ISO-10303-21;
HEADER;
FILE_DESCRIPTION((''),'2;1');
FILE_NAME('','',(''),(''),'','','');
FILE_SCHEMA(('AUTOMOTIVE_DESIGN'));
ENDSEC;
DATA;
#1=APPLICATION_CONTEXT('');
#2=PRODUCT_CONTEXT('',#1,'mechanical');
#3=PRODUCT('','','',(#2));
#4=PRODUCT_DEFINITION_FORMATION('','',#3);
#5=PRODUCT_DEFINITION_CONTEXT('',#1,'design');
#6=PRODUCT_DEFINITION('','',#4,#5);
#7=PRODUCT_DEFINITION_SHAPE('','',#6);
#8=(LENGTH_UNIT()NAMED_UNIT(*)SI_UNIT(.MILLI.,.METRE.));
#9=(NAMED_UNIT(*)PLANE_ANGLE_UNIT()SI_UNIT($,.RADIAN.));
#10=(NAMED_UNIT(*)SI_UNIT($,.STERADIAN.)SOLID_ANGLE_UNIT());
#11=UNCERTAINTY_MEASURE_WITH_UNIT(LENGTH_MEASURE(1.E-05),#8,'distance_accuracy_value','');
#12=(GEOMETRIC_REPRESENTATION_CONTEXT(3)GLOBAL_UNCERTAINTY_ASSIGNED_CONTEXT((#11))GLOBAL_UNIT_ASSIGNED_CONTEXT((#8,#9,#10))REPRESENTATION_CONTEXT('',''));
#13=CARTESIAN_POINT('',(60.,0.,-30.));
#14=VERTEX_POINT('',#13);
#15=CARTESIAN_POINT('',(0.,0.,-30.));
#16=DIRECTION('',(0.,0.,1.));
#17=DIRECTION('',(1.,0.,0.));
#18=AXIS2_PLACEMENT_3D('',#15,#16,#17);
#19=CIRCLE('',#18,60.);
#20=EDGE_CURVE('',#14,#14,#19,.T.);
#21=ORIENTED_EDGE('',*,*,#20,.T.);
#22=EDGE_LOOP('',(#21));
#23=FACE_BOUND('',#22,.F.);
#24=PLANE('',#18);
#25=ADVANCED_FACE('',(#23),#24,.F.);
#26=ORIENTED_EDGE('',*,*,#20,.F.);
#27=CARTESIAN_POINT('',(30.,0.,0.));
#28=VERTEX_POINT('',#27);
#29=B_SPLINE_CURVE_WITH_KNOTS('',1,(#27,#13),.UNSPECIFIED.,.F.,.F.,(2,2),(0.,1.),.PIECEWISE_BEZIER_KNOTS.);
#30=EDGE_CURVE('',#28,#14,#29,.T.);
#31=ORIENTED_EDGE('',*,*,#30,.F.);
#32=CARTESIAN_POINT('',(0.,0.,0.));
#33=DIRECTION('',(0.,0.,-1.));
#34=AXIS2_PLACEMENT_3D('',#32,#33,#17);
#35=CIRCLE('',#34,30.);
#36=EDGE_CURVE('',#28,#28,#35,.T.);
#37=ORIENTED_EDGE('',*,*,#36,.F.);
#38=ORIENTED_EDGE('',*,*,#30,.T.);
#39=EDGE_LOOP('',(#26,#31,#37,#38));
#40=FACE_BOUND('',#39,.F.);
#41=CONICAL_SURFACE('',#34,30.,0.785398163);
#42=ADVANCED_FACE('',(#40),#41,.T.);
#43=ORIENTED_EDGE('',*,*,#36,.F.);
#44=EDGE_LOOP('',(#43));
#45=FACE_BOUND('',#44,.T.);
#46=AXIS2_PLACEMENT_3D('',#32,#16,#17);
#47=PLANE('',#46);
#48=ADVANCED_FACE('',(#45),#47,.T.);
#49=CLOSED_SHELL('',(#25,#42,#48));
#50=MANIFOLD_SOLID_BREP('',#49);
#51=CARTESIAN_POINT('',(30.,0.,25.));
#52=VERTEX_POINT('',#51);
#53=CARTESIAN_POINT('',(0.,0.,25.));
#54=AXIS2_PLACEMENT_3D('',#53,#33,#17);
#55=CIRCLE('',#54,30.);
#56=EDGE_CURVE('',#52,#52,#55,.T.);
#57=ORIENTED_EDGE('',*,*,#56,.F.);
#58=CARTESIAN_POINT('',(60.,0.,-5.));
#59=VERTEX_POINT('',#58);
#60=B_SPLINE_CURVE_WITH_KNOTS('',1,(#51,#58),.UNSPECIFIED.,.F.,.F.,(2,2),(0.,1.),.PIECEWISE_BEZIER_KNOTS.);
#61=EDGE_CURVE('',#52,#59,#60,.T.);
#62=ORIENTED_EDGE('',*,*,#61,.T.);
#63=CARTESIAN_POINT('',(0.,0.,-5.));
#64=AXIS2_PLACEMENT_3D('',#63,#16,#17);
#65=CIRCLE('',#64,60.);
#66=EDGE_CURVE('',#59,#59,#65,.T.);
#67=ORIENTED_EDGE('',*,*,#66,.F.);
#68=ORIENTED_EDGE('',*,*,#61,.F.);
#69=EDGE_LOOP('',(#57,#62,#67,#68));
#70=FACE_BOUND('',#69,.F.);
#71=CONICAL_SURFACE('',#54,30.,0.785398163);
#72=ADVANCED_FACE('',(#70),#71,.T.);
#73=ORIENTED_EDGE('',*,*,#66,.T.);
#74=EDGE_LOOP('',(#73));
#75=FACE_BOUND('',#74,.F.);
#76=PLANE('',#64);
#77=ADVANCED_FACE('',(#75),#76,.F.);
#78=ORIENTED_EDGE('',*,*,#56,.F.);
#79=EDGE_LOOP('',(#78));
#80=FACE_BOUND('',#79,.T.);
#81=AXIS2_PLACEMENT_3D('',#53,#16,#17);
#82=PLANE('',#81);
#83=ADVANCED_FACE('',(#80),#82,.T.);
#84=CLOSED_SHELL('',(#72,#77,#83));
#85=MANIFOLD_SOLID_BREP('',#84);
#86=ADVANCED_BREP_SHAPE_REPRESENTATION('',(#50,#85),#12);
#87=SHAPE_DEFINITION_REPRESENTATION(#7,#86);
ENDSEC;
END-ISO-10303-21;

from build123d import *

# Parameters (mm, degrees)
F0_R     = 30
F1_DEPTH = 30
F1_TAPER = -45
F3_R     = 30
F4_DEPTH = 30
F4_TAPER = -45


with BuildPart() as f1:
    # F0 (on Top) → F1 (new body)
    with BuildSketch(Plane.XY):
        Circle(F0_R)
    extrude(amount=-F1_DEPTH, taper=F1_TAPER)


with BuildPart() as f4:
    # F3 (on offset) → F4 (new body)
    with BuildSketch(Plane.XY.offset(25)):
        Circle(F3_R)
    extrude(amount=-F4_DEPTH, taper=F4_TAPER)


solid = Compound([f1.part, f4.part])
